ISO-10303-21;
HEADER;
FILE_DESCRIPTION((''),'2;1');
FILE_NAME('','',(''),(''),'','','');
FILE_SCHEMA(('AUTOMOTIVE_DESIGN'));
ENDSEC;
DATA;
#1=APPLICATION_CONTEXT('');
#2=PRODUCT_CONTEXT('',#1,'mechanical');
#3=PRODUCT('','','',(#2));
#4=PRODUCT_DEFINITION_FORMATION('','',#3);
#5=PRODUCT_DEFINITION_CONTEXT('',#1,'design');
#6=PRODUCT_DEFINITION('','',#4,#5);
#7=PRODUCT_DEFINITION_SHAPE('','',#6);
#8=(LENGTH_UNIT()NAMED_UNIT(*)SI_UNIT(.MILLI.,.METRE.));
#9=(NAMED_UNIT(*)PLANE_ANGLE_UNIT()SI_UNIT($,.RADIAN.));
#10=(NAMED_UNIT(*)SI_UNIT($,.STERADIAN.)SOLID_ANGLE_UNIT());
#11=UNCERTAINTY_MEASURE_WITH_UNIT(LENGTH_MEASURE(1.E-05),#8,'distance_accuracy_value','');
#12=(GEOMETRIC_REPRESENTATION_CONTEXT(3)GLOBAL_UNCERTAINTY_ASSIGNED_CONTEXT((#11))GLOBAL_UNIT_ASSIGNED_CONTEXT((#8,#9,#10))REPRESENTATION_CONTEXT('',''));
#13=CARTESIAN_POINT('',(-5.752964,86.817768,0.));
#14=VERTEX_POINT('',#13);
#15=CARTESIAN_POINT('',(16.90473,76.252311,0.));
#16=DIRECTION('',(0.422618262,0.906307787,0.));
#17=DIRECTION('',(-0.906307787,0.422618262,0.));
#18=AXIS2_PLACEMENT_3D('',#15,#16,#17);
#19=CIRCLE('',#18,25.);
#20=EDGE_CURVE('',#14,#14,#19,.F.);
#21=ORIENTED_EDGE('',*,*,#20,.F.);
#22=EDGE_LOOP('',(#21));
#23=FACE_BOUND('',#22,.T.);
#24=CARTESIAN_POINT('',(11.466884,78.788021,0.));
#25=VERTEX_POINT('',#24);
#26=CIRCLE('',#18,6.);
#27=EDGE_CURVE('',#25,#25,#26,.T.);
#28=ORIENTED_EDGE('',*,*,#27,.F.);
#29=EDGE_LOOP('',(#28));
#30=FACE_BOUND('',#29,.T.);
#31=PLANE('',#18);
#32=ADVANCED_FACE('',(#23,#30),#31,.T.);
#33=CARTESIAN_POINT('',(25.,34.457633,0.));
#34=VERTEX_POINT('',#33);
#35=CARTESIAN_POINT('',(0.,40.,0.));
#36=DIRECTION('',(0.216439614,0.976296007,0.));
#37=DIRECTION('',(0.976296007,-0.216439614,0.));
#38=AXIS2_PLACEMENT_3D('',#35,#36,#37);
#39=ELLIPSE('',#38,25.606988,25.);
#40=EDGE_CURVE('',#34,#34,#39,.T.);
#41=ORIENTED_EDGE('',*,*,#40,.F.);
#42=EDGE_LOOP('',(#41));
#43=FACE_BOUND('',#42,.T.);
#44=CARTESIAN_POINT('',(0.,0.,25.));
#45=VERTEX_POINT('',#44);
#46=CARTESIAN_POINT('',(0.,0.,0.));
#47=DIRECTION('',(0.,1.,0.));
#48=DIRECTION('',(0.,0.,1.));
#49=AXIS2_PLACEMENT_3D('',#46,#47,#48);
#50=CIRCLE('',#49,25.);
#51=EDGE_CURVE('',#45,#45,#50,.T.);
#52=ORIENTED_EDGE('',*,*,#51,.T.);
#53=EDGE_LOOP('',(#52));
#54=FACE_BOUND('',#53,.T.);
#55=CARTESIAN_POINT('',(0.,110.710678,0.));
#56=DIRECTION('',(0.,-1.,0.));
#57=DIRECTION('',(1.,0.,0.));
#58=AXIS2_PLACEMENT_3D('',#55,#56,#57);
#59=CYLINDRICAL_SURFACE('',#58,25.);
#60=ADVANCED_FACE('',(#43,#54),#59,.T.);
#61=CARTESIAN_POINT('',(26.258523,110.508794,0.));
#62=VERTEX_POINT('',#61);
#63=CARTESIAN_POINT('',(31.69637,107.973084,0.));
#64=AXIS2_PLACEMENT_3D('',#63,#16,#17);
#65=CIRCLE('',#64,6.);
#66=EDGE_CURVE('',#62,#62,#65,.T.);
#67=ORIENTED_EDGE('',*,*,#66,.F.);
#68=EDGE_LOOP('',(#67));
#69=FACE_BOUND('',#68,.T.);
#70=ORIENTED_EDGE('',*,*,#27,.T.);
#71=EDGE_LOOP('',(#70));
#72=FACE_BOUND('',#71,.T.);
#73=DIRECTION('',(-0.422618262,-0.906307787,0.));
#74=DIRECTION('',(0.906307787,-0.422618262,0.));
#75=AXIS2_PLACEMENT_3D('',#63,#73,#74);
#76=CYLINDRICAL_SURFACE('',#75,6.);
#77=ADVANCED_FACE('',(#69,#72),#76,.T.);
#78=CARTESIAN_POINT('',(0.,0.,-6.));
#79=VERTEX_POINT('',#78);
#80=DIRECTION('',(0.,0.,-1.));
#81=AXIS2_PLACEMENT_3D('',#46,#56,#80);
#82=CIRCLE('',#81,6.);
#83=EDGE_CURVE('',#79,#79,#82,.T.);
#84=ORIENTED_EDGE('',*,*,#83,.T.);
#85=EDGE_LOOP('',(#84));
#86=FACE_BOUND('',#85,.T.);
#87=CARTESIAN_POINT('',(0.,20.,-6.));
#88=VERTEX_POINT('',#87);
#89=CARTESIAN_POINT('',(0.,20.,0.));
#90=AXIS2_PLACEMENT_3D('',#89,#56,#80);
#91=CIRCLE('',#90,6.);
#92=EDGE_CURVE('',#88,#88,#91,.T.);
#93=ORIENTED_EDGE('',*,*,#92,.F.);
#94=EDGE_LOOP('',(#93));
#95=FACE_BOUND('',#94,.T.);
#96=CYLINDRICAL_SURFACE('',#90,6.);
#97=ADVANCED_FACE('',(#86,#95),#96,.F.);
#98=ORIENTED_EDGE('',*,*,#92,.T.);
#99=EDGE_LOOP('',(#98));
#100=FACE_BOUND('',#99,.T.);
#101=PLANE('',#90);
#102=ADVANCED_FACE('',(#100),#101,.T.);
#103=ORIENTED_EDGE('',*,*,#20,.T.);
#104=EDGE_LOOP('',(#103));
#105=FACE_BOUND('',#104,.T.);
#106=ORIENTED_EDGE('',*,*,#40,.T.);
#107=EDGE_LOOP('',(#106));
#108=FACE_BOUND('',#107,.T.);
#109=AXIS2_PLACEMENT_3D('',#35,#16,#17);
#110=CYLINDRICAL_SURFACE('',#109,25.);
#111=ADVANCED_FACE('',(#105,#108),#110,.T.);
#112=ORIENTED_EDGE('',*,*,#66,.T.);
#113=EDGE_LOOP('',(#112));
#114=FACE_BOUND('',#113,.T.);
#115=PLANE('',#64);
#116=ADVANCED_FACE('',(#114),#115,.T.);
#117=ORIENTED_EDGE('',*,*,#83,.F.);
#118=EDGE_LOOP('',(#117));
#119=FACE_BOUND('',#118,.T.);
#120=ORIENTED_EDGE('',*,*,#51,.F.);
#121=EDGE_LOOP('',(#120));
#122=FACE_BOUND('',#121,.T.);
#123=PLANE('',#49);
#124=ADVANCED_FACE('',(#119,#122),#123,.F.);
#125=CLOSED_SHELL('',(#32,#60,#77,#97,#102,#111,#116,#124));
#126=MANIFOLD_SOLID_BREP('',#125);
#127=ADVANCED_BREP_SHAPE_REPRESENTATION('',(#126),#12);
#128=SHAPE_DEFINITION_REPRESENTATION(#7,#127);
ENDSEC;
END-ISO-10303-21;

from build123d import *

# Parameters (mm, degrees)
ESBO_O2_R                = 25
ESBO_O3_R                = 6
RESSALTO_EXTRUS_O1_DEPTH = 35
ESBO_O4_R                = 6
CORTE_EXTRUS_O1_DEPTH    = 20


with BuildPart() as part:
    # Varredura1: sweep along a path in Esboço1
    with BuildLine(Plane.XY) as varredura1_path:
        Line((16.90473047, 76.252311481), (0, 40))
        Line((0, 40), (0, 0))
    # Esboço2 → Varredura1 (sweep)
    with BuildSketch(Plane(origin=(0, 0, 0), x_dir=(1, 0, 0), z_dir=(0, 1, 0))):
        Circle(ESBO_O2_R)
    sweep(path=varredura1_path.line, transition=Transition.RIGHT)

    # Esboço3 → Ressalto-extrusão1 (add)
    with BuildSketch(Plane(origin=(32.225619332, 69.108063675, 0), x_dir=(0.906307787, -0.422618262, 0), z_dir=(0.422618262, 0.906307787, 0))):
        with Locations((-16.90473047, 0)):
            Circle(ESBO_O3_R)
    extrude(amount=RESSALTO_EXTRUS_O1_DEPTH)

    # Esboço4 → Corte-extrusão1 (cut)
    with BuildSketch(Plane.XZ):
        Circle(ESBO_O4_R)
    extrude(amount=-CORTE_EXTRUS_O1_DEPTH, mode=Mode.SUBTRACT)


solid = part.part
